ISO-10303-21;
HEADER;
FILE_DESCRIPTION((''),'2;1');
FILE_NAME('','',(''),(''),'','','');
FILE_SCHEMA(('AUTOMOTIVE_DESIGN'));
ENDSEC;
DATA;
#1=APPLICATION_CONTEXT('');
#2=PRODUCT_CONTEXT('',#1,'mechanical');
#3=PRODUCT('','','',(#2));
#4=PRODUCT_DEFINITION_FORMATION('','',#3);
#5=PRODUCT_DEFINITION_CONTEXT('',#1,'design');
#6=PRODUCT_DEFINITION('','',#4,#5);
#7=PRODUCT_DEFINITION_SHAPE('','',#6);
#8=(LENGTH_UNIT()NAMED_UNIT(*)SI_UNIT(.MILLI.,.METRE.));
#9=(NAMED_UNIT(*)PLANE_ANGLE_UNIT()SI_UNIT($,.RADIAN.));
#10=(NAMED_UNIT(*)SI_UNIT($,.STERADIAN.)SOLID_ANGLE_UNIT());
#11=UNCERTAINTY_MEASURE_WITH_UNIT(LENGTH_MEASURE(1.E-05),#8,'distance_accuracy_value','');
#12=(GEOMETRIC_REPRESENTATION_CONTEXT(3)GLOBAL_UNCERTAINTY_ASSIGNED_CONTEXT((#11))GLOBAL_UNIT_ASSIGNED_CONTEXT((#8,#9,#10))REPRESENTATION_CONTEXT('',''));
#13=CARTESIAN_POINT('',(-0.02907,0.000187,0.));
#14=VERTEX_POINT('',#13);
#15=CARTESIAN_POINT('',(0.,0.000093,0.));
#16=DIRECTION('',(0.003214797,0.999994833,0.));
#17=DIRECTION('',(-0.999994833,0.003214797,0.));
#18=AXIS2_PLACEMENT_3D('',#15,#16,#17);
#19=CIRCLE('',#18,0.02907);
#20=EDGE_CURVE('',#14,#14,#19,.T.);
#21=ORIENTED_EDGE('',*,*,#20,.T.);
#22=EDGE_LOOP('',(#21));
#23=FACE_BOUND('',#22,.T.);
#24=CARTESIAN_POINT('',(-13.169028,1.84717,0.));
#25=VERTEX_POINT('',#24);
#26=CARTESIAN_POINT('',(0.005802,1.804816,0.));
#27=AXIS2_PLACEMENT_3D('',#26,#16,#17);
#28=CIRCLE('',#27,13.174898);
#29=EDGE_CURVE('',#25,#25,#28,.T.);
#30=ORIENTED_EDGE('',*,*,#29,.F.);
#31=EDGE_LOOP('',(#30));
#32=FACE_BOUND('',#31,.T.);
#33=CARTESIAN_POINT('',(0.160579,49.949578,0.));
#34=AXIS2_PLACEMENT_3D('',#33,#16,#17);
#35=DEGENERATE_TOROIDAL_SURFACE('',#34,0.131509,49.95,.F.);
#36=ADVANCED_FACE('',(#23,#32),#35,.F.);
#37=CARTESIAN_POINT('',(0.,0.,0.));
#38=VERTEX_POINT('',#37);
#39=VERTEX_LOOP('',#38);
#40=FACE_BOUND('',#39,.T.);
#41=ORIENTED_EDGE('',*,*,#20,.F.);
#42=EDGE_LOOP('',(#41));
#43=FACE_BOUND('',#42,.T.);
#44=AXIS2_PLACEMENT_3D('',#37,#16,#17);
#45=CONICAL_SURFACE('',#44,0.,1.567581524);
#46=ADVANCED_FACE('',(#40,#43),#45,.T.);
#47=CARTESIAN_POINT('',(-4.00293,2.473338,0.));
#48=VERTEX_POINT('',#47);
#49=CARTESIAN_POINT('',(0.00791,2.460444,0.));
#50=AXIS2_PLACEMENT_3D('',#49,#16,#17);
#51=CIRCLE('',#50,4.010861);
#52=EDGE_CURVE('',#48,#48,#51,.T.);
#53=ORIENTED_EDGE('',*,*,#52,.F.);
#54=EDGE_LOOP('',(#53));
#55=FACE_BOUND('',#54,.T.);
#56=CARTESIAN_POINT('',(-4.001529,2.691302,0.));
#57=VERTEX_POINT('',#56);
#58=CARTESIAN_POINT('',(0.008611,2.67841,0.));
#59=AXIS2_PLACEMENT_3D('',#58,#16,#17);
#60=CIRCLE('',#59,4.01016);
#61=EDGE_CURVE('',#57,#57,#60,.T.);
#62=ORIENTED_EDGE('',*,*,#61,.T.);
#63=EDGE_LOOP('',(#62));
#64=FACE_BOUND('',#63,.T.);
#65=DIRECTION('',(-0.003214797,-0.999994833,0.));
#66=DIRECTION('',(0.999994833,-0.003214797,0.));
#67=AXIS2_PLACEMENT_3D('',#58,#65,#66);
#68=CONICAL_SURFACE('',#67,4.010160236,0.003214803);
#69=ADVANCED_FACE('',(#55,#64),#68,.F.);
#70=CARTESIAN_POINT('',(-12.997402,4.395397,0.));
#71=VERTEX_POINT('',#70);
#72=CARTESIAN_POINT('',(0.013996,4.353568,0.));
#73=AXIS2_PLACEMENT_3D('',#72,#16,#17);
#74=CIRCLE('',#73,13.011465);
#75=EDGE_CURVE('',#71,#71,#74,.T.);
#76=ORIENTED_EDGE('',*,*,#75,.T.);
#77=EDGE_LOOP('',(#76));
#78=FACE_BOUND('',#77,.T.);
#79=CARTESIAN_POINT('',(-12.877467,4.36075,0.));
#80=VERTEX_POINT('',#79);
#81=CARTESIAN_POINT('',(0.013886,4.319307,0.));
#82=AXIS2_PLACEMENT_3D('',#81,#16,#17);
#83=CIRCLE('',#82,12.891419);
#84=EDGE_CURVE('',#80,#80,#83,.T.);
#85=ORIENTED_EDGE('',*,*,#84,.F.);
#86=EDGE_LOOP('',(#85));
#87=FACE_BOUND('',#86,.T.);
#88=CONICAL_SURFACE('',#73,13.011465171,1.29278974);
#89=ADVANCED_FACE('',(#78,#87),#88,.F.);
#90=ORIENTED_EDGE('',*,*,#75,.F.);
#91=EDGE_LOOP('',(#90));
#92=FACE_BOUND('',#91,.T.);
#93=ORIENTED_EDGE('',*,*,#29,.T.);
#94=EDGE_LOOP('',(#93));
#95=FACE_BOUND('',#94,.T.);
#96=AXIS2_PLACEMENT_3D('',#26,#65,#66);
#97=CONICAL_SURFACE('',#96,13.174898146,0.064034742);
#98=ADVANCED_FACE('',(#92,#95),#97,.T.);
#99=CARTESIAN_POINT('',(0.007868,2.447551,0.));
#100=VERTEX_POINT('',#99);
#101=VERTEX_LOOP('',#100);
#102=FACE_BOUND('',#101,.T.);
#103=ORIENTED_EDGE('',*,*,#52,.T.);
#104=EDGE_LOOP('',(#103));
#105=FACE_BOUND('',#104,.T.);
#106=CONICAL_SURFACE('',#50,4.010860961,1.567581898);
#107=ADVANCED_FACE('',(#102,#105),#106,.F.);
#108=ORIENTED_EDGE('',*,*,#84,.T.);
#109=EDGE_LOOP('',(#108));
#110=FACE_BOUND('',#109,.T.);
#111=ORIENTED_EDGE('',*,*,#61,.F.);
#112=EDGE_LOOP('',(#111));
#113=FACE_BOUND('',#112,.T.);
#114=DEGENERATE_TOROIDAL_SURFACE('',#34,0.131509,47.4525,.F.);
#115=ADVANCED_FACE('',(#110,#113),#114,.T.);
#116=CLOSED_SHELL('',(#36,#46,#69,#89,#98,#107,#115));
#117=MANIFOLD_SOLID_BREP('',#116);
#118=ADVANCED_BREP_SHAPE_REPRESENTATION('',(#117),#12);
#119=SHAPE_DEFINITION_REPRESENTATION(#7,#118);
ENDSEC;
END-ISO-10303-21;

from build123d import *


with BuildPart() as part:
    # Çizim2 → Döndür4 (revolve)
    with BuildSketch(Plane.XY, mode=Mode.PRIVATE) as d_nd_r4_sk:
        with BuildLine():
            Line((0.007868423, 2.447551496), (0, 0))
            Line((0, 0), (0.029070392, 0))
            ThreePointArc((0.029070392, 0), (6.663636067, 0.442575925), (13.180632211, 1.762460918))
            Line((13.180632211, 1.762460918), (13.025393844, 4.311738481))
            Line((13.025393844, 4.311738481), (12.905238293, 4.277863766))
            ThreePointArc((12.905238293, 4.277863766), (8.500440894, 3.259791078), (4.018750105, 2.665518584))
            Line((4.018750105, 2.665518584), (4.018750105, 2.447549997))
            Line((4.018750105, 2.447549997), (0.007868423, 2.447551496))
        make_face()
    revolve(d_nd_r4_sk.sketch.rotate(Axis((0.007868423, 2.447551496, 0), (-0.0032147973142897033, -0.9999948325257627, 0)), 180), axis=Axis((0.007868423, 2.447551496, 0), (-0.0032147973142897033, -0.9999948325257627, 0)))


solid = part.part
